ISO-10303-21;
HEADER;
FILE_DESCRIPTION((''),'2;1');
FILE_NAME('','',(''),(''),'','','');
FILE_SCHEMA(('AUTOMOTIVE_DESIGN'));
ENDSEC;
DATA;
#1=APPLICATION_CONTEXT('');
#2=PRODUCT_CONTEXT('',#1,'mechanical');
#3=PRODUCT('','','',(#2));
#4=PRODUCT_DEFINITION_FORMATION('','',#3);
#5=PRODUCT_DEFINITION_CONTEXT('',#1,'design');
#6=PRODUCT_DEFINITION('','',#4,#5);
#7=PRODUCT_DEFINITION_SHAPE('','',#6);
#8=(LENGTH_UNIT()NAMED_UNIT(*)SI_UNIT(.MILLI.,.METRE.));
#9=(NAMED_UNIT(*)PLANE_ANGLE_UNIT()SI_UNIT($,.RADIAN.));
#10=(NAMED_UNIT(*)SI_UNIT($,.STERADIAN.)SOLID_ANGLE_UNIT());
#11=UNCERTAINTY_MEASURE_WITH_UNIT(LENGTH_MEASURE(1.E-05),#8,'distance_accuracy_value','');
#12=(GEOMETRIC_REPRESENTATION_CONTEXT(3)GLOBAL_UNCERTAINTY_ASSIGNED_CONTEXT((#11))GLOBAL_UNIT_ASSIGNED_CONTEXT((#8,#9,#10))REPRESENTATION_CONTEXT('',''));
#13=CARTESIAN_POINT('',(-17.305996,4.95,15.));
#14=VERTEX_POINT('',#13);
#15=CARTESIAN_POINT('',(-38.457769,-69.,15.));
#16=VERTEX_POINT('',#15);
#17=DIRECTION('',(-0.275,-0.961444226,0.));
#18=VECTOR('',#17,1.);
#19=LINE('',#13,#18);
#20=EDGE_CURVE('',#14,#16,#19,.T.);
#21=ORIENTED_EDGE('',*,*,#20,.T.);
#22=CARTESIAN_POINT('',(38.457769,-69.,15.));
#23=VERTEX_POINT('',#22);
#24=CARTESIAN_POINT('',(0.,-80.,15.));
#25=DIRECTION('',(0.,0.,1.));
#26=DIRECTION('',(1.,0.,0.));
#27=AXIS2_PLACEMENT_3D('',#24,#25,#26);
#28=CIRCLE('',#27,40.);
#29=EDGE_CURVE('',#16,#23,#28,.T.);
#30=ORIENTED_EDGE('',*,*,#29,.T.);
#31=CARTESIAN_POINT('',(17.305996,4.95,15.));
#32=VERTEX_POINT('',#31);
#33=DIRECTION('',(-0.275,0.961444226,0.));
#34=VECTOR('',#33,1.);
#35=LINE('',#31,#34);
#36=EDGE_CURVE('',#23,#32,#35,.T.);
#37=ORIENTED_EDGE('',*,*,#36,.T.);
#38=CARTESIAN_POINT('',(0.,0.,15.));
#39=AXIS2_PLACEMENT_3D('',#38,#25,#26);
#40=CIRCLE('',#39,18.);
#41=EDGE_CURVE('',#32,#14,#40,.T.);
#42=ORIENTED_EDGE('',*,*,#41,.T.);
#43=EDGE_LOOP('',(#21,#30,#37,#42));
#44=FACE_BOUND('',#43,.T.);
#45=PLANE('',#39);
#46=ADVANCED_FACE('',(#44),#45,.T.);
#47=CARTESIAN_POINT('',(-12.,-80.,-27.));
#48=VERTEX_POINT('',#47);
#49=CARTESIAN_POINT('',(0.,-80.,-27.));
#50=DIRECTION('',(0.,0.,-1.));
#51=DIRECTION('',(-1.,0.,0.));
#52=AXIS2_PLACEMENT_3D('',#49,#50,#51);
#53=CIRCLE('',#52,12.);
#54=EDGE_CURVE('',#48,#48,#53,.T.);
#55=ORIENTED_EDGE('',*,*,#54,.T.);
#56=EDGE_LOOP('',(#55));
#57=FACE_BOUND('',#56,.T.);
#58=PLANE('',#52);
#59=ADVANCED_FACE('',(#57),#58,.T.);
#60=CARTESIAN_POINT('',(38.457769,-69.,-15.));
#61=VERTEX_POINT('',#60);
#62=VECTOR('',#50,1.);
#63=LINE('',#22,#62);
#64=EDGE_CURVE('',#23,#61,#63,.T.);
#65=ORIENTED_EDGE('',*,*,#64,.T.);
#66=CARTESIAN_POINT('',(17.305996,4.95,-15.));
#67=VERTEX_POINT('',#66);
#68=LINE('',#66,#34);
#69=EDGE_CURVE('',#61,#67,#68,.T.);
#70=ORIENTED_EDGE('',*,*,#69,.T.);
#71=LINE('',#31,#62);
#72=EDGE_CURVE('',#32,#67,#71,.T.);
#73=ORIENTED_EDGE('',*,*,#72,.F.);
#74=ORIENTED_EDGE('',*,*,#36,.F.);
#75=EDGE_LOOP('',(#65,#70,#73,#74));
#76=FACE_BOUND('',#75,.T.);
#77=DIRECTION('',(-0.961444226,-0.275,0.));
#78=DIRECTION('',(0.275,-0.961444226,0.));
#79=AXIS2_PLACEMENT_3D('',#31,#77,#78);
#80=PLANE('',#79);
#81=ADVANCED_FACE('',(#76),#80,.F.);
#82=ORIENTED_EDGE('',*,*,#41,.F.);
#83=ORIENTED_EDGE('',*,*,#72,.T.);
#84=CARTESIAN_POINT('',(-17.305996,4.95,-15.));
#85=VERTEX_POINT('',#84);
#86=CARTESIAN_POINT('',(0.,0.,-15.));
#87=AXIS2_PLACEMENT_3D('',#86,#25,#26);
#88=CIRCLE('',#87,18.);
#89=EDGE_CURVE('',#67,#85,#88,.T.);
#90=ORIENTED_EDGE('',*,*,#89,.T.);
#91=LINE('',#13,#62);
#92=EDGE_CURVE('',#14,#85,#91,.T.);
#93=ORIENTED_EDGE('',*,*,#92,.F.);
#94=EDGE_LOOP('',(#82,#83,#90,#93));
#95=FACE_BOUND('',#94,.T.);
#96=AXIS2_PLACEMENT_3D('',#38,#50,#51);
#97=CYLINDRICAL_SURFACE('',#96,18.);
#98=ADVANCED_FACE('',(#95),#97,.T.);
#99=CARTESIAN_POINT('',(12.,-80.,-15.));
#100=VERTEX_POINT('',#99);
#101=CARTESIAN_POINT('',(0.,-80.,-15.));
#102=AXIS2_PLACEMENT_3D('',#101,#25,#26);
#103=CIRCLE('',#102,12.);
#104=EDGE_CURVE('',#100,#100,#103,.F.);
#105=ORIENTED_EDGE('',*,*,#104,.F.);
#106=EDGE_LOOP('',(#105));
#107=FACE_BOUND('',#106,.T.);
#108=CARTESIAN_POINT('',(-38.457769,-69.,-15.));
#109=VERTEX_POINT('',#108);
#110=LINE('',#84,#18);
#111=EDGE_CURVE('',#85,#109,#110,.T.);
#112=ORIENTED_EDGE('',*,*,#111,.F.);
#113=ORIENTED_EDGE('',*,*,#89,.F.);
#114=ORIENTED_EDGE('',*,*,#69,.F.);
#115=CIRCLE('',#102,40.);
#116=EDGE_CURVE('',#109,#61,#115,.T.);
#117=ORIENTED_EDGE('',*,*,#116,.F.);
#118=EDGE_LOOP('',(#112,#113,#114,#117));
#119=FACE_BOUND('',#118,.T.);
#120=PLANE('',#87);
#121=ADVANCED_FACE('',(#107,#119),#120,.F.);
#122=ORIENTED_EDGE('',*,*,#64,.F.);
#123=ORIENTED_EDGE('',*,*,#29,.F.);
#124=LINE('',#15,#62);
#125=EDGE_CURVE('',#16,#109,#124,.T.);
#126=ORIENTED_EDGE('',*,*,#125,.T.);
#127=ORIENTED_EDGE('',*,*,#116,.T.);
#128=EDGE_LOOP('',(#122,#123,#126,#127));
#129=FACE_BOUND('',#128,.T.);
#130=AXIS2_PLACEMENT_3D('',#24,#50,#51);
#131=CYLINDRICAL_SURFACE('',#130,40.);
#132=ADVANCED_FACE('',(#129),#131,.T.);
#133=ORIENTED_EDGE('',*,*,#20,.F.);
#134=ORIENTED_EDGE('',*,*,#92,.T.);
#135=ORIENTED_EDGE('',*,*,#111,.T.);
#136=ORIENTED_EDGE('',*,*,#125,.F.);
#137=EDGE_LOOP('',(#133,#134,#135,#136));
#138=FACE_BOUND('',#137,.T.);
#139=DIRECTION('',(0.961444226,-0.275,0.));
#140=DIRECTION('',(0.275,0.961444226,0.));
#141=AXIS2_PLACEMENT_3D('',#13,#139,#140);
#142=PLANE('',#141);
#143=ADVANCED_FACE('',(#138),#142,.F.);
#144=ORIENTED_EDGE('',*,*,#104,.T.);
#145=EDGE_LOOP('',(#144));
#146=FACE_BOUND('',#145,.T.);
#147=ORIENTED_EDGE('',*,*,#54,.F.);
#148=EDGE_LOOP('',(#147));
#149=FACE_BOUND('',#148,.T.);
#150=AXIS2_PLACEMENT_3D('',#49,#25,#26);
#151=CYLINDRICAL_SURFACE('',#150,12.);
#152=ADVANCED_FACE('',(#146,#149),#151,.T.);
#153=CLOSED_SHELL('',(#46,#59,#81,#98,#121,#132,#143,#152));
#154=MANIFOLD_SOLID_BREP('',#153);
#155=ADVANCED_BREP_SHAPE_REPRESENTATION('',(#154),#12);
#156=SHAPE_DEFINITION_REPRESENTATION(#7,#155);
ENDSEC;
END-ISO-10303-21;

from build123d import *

# Parameters (mm, degrees)
SALIENTE_EXTRUIR2_DEPTH = 15
CROQUIS2_R              = 12
SALIENTE_EXTRUIR3_DEPTH = 12


with BuildPart() as part:
    # Croquis1 → Saliente-Extruir2 (new, symmetric)
    with BuildSketch(Plane.XY):
        with BuildLine():
            Line((-17.305996071, 4.95), (-38.457769046, -69))
            ThreePointArc((-38.457769046, -69), (0, -120), (38.457769046, -69))
            Line((38.457769046, -69), (17.305996071, 4.95))
            ThreePointArc((17.305996071, 4.95), (0, 18), (-17.305996071, 4.95))
        make_face()
    extrude(amount=SALIENTE_EXTRUIR2_DEPTH, both=True)

    # Croquis2 → Saliente-Extruir3 (add)
    with BuildSketch(Plane(origin=(0, 0, -15), x_dir=(-1, 0, 0), z_dir=(0, 0, -1))):
        with Locations(Location((0, -80, 0), (0, 0, 180))):
            Circle(CROQUIS2_R)
    extrude(amount=SALIENTE_EXTRUIR3_DEPTH)


solid = part.part
